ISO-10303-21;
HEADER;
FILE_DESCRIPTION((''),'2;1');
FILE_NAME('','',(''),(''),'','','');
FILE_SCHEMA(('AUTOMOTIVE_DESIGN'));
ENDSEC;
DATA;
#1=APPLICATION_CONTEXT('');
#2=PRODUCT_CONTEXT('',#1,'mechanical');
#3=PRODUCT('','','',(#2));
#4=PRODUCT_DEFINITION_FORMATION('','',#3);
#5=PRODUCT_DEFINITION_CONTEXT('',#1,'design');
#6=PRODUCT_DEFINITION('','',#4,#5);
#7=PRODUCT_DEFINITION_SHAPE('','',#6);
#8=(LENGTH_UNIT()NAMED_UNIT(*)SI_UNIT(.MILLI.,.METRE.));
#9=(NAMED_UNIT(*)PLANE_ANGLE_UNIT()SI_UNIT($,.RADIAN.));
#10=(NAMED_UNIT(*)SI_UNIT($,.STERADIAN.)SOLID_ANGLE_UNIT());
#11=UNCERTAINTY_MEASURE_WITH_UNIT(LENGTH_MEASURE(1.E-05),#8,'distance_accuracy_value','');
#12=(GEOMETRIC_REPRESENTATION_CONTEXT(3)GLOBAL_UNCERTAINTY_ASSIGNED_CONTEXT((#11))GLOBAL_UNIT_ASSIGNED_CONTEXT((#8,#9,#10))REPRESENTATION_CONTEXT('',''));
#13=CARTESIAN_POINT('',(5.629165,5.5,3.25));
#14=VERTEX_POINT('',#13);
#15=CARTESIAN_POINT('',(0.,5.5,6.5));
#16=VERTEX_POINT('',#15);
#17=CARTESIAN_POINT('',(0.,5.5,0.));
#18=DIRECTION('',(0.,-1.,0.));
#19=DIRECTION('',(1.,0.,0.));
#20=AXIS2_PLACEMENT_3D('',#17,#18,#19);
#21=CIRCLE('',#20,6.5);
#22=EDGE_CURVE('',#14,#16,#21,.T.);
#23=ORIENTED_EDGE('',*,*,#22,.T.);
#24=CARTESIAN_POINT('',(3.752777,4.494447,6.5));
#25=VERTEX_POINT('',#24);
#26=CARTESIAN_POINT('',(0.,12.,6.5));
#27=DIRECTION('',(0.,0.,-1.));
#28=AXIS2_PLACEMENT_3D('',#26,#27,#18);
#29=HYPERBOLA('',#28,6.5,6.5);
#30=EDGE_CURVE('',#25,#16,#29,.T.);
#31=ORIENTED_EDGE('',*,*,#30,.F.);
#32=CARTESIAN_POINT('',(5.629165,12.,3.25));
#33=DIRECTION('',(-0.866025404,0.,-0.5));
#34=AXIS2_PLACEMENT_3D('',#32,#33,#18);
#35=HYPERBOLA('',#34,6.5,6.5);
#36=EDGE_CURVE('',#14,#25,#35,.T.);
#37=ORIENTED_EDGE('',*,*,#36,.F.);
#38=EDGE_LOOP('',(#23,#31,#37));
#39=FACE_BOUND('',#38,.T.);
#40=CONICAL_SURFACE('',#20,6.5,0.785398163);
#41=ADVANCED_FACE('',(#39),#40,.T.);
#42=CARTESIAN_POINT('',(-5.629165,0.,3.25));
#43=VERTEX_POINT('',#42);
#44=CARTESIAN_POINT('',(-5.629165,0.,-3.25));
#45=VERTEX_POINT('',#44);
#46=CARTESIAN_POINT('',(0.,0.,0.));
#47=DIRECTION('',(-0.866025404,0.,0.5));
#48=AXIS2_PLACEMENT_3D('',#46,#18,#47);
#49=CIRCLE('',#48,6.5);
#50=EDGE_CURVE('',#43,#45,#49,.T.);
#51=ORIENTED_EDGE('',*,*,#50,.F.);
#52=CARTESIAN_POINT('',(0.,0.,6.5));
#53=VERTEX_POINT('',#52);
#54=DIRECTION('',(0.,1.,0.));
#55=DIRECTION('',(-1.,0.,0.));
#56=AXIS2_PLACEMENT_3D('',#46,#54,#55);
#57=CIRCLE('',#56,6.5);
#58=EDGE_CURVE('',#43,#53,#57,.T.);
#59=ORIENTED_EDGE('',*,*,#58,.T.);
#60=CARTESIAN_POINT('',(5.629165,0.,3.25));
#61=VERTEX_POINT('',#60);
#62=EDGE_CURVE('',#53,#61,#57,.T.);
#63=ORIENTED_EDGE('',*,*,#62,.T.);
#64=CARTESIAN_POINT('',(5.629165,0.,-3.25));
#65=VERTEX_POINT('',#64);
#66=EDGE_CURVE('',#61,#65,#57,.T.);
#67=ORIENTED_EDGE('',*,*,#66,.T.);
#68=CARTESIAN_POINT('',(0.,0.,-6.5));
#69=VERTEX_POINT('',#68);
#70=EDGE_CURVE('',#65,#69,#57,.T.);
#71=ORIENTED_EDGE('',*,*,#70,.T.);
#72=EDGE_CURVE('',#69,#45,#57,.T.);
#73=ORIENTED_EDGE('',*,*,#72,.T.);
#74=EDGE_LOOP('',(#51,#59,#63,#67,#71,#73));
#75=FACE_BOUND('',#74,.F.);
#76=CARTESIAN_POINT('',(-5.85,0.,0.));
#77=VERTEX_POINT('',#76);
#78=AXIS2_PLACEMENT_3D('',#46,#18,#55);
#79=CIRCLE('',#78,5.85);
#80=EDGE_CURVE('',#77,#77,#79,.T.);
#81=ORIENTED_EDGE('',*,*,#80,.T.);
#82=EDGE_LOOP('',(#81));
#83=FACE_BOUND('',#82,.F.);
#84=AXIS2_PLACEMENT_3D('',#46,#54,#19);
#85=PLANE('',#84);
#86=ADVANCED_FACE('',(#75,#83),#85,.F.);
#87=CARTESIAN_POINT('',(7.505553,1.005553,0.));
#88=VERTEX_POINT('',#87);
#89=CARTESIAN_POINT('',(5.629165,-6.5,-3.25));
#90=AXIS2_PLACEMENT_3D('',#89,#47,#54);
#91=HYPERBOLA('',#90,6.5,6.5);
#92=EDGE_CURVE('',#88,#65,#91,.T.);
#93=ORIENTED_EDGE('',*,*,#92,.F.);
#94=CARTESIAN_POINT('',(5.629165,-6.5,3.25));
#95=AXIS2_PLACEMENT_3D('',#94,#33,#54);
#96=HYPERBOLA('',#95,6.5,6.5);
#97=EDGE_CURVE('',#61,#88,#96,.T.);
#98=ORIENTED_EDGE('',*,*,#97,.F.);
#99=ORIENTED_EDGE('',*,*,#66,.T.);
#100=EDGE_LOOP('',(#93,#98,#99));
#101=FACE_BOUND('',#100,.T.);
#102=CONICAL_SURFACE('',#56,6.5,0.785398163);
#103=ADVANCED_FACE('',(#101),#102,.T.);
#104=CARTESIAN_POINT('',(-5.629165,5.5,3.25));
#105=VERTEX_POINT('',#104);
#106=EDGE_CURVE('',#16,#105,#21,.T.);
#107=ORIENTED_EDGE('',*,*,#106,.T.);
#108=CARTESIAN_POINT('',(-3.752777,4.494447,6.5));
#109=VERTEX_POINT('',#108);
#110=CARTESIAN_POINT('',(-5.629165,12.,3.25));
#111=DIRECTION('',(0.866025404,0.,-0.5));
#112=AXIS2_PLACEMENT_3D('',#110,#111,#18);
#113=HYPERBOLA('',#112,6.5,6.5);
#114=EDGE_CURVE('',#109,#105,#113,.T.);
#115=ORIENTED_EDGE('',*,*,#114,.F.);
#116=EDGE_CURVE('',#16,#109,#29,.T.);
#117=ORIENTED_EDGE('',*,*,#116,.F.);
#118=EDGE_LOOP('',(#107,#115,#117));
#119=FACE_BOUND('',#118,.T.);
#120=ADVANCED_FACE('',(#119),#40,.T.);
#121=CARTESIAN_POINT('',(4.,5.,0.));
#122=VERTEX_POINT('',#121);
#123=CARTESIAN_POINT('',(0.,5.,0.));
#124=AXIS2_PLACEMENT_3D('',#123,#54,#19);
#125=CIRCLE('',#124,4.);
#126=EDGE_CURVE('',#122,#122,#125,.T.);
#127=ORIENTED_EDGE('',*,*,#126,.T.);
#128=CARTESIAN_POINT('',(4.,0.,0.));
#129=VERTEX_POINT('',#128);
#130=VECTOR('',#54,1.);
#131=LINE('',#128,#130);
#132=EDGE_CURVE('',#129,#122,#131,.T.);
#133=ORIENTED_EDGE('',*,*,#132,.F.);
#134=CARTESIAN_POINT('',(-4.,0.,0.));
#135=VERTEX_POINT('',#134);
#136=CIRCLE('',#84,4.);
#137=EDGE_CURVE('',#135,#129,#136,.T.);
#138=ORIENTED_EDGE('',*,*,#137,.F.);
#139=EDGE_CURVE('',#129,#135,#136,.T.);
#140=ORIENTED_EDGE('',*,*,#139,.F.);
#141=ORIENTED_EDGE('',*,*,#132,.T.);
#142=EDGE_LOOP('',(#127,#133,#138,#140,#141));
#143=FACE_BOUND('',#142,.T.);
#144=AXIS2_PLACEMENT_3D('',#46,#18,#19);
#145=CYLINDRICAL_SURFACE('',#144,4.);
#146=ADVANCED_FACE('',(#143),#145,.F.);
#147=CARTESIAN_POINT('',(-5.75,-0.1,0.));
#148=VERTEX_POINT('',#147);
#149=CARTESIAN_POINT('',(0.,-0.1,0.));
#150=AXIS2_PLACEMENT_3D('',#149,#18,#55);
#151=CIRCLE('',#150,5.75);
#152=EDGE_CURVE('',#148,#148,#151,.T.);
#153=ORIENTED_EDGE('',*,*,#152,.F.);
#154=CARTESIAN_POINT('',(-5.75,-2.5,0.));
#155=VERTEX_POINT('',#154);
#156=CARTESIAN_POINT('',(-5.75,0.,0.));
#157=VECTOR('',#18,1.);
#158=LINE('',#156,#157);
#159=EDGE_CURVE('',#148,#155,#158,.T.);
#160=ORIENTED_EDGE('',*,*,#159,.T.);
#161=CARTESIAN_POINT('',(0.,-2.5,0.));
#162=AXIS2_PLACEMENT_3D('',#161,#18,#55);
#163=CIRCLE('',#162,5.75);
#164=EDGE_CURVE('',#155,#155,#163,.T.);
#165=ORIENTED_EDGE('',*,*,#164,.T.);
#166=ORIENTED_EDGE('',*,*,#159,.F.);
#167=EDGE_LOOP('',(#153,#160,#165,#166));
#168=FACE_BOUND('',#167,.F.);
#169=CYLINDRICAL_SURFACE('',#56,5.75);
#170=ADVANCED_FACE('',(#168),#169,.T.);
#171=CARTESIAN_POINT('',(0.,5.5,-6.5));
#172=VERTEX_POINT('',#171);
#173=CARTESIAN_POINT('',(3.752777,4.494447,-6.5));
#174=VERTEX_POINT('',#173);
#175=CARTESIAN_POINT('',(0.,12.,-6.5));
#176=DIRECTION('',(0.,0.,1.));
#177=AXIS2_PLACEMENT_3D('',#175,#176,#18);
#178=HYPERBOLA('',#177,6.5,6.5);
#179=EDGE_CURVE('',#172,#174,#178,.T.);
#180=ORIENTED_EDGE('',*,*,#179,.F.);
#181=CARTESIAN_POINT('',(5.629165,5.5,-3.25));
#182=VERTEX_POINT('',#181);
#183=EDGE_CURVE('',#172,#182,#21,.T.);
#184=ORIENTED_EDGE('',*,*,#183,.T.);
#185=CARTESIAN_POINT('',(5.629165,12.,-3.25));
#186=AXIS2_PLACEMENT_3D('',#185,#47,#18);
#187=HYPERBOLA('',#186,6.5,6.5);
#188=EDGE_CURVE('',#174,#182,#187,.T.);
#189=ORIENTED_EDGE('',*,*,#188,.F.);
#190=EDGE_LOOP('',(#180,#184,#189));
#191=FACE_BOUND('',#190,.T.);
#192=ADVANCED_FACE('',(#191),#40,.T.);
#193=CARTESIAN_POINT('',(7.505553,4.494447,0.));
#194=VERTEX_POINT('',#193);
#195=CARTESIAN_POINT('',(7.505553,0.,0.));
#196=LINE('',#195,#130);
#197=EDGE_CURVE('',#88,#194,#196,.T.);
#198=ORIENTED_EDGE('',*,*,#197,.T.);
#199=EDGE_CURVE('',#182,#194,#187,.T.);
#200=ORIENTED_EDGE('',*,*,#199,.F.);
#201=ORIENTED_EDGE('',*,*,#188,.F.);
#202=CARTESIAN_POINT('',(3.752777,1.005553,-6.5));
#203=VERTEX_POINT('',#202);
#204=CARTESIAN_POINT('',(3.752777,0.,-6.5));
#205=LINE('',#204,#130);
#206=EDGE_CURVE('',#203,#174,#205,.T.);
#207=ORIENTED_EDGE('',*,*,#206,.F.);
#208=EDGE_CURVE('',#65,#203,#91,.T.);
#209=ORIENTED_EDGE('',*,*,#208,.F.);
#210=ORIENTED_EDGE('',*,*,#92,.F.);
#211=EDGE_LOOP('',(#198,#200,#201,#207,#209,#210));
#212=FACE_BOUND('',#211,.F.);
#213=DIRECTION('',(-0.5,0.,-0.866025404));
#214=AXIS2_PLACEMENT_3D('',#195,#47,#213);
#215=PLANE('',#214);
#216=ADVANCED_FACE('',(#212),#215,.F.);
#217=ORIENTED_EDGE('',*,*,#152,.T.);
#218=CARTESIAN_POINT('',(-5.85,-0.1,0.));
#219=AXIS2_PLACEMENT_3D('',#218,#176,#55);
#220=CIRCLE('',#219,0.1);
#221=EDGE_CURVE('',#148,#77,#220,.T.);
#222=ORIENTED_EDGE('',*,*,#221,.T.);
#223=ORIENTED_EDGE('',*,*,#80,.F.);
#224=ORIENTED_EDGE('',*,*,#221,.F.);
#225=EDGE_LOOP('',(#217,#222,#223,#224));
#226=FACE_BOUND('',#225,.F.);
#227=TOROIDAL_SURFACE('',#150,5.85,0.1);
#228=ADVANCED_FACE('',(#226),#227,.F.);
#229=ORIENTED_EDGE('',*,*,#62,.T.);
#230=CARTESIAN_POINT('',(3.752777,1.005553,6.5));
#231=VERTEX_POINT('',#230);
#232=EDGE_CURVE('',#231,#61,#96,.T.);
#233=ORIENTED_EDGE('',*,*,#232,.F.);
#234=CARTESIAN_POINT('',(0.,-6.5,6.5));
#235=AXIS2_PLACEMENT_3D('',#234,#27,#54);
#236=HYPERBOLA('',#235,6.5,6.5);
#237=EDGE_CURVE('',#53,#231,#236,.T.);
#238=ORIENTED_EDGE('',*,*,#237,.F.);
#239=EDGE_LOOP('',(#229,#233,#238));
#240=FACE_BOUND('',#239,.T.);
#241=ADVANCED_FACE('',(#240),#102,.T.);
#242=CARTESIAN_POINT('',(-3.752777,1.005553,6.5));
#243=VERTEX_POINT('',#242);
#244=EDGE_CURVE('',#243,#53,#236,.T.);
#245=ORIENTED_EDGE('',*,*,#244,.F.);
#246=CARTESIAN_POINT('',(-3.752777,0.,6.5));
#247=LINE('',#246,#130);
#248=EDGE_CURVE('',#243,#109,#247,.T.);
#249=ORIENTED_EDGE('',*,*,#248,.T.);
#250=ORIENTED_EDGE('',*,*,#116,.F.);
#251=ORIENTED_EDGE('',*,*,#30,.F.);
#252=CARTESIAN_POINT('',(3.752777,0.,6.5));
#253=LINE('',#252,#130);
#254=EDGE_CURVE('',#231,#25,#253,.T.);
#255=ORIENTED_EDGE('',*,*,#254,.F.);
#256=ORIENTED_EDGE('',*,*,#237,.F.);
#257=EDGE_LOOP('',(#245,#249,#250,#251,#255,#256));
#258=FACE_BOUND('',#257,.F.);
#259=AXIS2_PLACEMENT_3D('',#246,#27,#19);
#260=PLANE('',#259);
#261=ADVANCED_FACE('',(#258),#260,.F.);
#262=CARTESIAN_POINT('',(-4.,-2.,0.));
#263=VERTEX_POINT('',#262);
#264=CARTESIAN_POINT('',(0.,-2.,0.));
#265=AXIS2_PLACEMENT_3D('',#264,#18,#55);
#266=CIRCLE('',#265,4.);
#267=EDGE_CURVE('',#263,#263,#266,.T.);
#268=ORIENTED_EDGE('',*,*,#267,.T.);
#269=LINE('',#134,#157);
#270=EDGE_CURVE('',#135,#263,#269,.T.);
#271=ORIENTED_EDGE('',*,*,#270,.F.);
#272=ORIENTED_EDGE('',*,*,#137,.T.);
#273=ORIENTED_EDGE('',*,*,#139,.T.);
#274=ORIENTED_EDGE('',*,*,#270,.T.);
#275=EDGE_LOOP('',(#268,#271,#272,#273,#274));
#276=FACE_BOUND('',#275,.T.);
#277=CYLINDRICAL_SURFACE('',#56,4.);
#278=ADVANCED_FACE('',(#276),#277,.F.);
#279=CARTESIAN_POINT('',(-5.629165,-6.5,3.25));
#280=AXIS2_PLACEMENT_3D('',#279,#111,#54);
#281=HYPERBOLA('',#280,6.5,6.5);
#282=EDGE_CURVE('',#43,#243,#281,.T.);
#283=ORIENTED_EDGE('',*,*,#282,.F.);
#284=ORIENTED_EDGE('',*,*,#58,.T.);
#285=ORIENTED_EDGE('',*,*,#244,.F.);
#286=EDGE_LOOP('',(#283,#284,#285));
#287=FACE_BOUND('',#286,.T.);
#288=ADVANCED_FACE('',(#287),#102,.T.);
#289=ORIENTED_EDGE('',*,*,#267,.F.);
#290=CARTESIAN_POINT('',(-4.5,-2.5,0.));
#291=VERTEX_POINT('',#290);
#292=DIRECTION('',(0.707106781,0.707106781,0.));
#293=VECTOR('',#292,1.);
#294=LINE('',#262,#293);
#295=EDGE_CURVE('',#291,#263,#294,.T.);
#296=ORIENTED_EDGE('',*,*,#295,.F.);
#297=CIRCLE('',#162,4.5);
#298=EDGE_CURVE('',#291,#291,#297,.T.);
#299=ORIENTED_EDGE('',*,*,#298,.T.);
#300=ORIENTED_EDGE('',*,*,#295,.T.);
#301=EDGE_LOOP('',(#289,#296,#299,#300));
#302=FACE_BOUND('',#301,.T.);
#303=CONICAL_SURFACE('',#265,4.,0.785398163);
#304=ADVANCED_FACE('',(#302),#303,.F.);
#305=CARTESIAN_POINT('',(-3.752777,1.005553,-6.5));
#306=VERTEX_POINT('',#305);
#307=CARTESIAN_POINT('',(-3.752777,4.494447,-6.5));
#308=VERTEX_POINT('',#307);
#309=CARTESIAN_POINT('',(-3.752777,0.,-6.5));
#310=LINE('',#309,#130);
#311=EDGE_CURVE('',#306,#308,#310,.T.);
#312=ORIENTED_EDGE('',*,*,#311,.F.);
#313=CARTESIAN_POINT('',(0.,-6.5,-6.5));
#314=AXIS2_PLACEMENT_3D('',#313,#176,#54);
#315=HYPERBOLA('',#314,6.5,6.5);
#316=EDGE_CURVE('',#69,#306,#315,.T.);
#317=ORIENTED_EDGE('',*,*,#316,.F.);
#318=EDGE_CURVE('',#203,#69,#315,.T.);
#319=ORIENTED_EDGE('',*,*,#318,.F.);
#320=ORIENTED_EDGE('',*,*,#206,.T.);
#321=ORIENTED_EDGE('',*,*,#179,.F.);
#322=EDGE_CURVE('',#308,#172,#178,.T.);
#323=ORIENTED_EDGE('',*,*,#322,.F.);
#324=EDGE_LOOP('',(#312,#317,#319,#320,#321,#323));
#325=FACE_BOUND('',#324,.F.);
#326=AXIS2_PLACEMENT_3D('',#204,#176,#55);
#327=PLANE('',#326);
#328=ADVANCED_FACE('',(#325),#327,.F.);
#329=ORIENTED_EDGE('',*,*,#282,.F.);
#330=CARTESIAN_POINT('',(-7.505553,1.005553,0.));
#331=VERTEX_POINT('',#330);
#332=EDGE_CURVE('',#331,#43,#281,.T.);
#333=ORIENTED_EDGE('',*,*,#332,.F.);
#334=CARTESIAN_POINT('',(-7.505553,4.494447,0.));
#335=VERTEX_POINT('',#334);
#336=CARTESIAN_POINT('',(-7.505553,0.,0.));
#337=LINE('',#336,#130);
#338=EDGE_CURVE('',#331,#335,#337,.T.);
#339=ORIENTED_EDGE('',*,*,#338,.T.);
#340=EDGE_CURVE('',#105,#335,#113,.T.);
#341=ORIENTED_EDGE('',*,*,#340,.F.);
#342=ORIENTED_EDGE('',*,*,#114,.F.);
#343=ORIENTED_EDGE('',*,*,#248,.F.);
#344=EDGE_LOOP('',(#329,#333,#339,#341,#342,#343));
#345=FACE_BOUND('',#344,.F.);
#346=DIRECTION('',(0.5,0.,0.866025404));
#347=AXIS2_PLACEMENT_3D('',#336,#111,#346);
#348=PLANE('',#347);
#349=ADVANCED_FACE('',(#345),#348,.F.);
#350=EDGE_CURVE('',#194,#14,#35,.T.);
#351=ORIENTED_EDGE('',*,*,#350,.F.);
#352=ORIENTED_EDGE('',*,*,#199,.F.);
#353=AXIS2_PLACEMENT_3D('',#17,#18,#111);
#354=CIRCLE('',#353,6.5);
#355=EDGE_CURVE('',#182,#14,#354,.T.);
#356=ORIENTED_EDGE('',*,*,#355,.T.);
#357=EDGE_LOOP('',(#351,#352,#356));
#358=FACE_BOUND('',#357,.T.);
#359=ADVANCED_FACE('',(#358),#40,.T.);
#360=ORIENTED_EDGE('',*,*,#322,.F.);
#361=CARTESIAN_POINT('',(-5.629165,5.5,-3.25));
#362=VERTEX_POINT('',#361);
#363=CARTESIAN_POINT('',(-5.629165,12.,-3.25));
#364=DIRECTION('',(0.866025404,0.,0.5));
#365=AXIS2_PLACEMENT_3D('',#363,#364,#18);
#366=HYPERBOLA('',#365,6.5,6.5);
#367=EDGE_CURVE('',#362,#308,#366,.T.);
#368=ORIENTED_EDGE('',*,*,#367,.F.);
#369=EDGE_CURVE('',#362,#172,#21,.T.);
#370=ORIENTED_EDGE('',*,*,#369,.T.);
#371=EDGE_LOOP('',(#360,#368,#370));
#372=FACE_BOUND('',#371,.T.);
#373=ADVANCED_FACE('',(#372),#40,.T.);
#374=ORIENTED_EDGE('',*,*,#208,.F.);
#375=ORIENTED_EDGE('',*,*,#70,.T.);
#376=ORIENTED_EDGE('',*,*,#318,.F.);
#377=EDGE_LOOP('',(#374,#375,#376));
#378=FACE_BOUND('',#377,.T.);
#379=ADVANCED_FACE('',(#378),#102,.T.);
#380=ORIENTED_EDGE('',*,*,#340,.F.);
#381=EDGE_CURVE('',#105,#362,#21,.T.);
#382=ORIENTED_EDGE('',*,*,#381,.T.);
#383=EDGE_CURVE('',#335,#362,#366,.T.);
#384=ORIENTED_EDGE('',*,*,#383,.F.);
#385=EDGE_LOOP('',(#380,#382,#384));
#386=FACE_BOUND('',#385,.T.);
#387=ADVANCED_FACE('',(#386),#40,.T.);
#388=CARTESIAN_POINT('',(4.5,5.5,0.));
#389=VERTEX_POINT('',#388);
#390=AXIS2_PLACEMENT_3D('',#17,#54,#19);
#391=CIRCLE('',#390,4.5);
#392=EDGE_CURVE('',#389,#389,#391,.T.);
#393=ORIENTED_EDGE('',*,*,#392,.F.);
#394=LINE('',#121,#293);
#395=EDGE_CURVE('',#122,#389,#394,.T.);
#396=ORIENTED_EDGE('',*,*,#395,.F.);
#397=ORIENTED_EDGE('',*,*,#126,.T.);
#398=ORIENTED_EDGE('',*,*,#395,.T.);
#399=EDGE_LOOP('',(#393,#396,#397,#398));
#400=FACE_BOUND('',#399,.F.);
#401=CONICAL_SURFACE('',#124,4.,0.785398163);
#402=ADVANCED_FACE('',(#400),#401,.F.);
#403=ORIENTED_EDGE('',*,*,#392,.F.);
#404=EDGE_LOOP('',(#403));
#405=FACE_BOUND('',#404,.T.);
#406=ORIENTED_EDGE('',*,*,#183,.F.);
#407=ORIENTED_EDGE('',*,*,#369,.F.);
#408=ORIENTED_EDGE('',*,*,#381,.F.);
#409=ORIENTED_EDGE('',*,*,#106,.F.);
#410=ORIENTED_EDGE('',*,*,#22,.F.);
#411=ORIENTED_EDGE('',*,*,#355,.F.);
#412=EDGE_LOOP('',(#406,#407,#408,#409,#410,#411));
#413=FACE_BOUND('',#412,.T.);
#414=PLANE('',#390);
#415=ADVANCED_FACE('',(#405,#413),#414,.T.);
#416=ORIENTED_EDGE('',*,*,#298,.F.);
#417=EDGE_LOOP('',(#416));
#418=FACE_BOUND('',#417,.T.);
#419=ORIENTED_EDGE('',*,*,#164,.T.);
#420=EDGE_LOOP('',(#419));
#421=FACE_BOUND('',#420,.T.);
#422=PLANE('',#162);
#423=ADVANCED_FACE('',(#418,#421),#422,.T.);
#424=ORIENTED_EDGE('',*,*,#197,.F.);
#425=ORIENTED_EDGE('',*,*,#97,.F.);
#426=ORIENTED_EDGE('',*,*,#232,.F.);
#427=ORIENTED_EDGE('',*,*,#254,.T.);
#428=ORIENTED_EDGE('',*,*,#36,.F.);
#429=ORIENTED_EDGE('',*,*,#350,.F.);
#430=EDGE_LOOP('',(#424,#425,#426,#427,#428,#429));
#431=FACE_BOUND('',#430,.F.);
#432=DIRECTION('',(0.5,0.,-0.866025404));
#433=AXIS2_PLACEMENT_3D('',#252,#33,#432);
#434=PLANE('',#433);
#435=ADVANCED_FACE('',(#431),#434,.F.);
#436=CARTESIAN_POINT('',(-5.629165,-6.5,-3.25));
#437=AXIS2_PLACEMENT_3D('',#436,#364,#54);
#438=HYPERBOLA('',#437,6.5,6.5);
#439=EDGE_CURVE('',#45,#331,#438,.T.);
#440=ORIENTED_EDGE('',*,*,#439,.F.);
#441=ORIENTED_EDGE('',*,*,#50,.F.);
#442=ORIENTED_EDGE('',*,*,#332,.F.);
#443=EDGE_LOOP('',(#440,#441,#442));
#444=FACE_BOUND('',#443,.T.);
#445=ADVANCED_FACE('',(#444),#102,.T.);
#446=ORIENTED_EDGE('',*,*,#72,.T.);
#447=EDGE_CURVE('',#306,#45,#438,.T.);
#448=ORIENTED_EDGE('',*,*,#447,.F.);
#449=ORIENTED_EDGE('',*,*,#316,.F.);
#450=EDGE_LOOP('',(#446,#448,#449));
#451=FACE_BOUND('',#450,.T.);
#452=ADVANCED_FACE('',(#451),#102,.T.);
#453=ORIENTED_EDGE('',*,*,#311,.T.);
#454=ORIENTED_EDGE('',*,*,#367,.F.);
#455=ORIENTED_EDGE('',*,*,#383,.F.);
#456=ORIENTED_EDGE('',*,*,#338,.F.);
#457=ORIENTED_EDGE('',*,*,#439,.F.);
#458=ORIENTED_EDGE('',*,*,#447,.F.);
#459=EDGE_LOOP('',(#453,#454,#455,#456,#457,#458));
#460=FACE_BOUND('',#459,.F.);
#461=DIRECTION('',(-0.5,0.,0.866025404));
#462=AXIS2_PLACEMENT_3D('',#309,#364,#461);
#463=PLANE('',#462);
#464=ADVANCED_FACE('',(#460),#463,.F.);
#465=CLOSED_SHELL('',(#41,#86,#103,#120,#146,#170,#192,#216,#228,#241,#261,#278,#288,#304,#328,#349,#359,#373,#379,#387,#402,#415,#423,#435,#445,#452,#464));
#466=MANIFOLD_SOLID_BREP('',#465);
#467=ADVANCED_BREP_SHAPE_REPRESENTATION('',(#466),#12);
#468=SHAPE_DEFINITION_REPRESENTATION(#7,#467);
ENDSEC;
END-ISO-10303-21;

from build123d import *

# Parameters (mm, degrees)
SZKIC1_R                    = 4
DODANIE_WYCI_GNI_CIE1_DEPTH = 5.5
SZKIC2_OUTSIDE_W            = 34.134
SZKIC2_OUTSIDE_H            = 32.122
SZKIC2_OUTSIDE_R            = 6.5
WYTNIJ_WYCI_GNI_CIE29_DEPTH = 6.5
WYTNIJ_WYCI_GNI_CIE29_TAPER = 45
SZKIC4_R                    = 5.75
SZKIC4_R_2                  = 4
DODANIE_WYCI_GNI_CIE2_DEPTH = 2.5
SZKIC5_OUTSIDE_W            = 41.294
SZKIC5_OUTSIDE_H            = 39.282
SZKIC5_OUTSIDE_R            = 6.5
WYTNIJ_WYCI_GNI_CIE30_DEPTH = 10
WYTNIJ_WYCI_GNI_CIE30_TAPER = 45
ZAOKR_GLENIE1_R             = 0.1
SFAZOWANIE1_SIZE            = 0.5


with BuildPart() as part:
    # Szkic1 → Dodanie-wyciągnięcie1 (new body)
    with BuildSketch(Plane(origin=(0, 0, 0), x_dir=(1, 0, 0), z_dir=(0, 1, 0))):
        Polygon((7.505553499, 0), (3.75277675, 6.5), (-3.75277675, 6.5), (-7.505553499, 0), (-3.75277675, -6.5), (3.75277675, -6.5), align=None)
        Circle(SZKIC1_R, mode=Mode.SUBTRACT)
    extrude(amount=DODANIE_WYCI_GNI_CIE1_DEPTH)

    # Szkic2 outside → Wytnij-wyciągnięcie29 (cut, through all)
    with BuildSketch(Plane(origin=(0, 5.5, 0), x_dir=(1, 0, 0), z_dir=(0, 1, 0))):
        Rectangle(SZKIC2_OUTSIDE_W, SZKIC2_OUTSIDE_H)
        Circle(SZKIC2_OUTSIDE_R, mode=Mode.SUBTRACT)
    extrude(amount=-WYTNIJ_WYCI_GNI_CIE29_DEPTH, taper=WYTNIJ_WYCI_GNI_CIE29_TAPER, mode=Mode.SUBTRACT)

    # Szkic4 → Dodanie-wyciągnięcie2 (add)
    with BuildSketch(Plane(origin=(0, 0, 0), x_dir=(-1, 0, 0), z_dir=(0, -1, 0))):
        Circle(SZKIC4_R)
        Circle(SZKIC4_R_2, mode=Mode.SUBTRACT)
    extrude(amount=DODANIE_WYCI_GNI_CIE2_DEPTH)

    # Szkic5 outside → Wytnij-wyciągnięcie30 (cut)
    with BuildSketch(Plane(origin=(0, 0, 0), x_dir=(-1, 0, 0), z_dir=(0, -1, 0))):
        Rectangle(SZKIC5_OUTSIDE_W, SZKIC5_OUTSIDE_H)
        Circle(SZKIC5_OUTSIDE_R, mode=Mode.SUBTRACT)
    extrude(amount=-WYTNIJ_WYCI_GNI_CIE30_DEPTH, taper=WYTNIJ_WYCI_GNI_CIE30_TAPER, mode=Mode.SUBTRACT)

    # Zaokrąglenie1
    zaokr_glenie1_edges = [part.edges().sort_by_distance(p)[0] for p in [
        (5.75, 0, 0),
    ]]
    fillet(zaokr_glenie1_edges, radius=ZAOKR_GLENIE1_R)

    # Sfazowanie1
    sfazowanie1_edges = [part.edges().sort_by_distance(p)[0] for p in [
        (-4, 5.5, 0),
        (4, -2.5, 0),
    ]]
    chamfer(sfazowanie1_edges, length=SFAZOWANIE1_SIZE)


solid = part.part
